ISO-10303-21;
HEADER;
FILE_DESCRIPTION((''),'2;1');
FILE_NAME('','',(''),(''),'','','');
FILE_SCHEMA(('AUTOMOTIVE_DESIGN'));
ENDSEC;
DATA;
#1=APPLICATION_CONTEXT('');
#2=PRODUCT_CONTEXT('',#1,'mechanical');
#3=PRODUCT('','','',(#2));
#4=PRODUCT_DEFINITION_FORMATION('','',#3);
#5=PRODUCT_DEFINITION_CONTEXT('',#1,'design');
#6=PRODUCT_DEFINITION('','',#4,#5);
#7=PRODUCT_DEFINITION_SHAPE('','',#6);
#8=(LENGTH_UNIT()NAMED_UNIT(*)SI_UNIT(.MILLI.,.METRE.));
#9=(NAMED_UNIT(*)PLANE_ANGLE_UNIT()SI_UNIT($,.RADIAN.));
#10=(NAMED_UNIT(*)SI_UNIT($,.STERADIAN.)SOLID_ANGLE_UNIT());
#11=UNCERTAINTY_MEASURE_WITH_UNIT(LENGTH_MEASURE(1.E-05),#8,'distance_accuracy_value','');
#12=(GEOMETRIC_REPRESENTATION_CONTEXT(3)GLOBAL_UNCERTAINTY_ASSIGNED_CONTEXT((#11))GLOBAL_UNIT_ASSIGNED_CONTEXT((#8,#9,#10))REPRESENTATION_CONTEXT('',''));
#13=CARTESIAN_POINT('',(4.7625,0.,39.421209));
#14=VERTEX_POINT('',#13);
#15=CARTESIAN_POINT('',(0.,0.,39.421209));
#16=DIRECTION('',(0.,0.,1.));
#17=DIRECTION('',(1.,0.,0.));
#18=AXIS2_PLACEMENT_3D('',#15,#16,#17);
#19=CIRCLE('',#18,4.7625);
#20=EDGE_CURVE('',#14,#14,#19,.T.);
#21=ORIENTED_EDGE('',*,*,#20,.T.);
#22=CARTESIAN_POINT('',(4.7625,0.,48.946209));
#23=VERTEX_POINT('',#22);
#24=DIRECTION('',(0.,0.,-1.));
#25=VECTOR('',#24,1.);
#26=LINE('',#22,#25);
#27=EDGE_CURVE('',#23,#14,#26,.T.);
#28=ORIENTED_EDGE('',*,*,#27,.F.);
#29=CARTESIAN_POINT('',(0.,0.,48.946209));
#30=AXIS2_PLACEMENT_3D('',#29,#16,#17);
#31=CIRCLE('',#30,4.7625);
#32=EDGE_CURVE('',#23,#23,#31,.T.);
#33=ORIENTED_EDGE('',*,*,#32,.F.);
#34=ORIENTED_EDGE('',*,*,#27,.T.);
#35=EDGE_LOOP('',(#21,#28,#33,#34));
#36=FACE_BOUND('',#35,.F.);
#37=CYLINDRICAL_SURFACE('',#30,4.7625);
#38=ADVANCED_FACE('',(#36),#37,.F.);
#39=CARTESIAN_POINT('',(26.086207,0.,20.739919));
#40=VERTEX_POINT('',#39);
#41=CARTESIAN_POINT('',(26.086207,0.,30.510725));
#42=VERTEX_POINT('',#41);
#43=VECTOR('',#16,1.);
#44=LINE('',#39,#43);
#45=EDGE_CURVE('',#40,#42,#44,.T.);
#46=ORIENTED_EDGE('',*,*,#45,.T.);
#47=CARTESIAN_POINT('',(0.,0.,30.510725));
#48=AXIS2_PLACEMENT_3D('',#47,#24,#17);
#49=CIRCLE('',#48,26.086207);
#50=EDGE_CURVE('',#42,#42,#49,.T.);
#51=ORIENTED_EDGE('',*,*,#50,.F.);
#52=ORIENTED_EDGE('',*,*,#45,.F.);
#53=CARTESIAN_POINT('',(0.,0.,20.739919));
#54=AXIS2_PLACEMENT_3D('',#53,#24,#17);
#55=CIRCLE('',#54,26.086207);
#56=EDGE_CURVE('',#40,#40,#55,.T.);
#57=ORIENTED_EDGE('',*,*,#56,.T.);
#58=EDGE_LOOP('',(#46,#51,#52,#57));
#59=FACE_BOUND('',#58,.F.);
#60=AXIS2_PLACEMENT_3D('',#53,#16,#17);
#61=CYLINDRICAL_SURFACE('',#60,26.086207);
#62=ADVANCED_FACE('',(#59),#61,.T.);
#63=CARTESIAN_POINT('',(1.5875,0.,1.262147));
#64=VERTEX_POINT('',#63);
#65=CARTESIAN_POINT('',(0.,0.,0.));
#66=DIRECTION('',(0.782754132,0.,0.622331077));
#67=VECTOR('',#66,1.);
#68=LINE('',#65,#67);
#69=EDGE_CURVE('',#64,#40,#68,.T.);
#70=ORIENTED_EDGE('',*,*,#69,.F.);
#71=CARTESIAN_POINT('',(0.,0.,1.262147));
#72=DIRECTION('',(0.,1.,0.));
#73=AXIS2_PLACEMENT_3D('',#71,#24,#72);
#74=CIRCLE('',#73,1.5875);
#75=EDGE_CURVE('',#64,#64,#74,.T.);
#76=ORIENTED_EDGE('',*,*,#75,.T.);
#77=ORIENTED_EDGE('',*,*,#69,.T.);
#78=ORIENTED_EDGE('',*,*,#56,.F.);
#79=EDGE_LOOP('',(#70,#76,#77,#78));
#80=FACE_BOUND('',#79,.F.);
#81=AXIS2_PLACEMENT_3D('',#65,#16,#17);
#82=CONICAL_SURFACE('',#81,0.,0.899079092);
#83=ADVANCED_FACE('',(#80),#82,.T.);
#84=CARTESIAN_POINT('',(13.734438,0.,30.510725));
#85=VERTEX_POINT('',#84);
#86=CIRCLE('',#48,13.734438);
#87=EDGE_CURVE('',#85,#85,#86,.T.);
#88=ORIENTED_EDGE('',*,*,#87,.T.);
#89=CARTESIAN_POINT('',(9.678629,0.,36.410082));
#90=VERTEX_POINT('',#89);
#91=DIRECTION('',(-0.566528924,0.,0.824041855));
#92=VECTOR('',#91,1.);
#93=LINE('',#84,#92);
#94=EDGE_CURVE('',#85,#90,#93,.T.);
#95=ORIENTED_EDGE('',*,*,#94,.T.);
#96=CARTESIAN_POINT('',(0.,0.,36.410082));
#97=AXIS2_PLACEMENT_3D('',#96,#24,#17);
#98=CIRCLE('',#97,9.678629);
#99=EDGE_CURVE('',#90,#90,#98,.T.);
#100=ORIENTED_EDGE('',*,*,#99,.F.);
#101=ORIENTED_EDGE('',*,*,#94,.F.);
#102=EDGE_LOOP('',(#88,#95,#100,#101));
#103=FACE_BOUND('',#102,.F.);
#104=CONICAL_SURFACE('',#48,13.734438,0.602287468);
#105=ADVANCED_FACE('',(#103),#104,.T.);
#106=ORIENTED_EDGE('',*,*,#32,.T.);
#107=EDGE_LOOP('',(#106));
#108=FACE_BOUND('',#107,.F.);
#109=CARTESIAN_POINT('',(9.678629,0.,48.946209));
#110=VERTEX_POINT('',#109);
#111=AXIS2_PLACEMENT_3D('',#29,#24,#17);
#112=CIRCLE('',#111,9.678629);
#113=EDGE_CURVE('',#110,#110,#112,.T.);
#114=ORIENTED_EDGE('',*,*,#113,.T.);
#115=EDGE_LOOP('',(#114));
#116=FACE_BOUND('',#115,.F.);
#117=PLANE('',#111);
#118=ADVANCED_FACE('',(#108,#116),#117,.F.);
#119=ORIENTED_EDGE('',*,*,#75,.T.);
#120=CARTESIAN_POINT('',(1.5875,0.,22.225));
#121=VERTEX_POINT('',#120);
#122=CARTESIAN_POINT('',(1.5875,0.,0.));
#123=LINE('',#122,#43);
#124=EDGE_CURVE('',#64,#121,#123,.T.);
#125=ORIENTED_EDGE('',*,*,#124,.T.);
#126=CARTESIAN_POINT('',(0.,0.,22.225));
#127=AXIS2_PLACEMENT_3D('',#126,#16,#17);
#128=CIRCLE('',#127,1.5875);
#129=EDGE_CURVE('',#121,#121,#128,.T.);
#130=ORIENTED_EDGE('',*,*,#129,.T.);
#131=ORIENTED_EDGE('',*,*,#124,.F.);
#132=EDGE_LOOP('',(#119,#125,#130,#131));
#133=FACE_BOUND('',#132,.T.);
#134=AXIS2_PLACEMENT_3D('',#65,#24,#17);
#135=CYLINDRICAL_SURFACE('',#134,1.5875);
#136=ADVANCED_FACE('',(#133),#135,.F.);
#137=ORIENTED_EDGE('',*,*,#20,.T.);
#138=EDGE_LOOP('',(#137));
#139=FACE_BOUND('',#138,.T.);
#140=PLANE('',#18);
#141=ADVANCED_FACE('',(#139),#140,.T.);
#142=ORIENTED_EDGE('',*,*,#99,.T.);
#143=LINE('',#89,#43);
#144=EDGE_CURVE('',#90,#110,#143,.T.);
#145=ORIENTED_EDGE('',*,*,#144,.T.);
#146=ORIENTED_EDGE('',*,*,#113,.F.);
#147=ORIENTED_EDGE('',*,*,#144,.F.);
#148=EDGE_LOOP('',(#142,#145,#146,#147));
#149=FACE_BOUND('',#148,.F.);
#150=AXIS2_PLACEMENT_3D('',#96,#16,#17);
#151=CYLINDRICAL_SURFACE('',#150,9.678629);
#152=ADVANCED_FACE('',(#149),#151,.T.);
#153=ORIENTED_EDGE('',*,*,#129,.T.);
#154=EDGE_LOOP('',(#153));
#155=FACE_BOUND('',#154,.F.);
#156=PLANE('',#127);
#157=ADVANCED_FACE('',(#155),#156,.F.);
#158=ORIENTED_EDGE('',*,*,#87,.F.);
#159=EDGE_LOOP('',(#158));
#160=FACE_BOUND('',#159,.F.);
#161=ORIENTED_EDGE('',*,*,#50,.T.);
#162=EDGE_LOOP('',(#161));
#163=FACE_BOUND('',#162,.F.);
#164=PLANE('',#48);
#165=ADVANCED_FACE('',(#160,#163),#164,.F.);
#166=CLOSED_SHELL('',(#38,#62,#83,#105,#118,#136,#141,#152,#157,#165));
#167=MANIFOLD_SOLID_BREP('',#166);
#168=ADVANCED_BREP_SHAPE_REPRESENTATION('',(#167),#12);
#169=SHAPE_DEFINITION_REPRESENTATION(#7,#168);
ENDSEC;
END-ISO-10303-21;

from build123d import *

# Parameters (mm, degrees)
F2_R     = 4.7625
F3_DEPTH = 9.525
F4_R     = 1.5875
F5_DEPTH = 22.225


with BuildPart() as f1:
    # F0 (on Front) → F1 (revolve)
    with BuildSketch(Plane.XZ):
        Polygon((0, 48.946209), (0, 0), (26.086207, 20.739919), (26.086207, 30.510725), (13.734438, 30.510725), (9.678629, 36.410082), (9.678629, 48.946209), align=None)
    revolve(axis=Axis((0, 0, 24.473105), (0, 0, -1)))

    # F2 (on face) → F3 (cut)
    with BuildSketch(Plane.XY.offset(48.946209)):
        Circle(F2_R)
    extrude(amount=-F3_DEPTH, mode=Mode.SUBTRACT)

    # F4 (on Top) → F5 (cut)
    with BuildSketch(Plane.XY):
        Circle(F4_R)
    extrude(amount=F5_DEPTH, mode=Mode.SUBTRACT)


solid = f1.part
